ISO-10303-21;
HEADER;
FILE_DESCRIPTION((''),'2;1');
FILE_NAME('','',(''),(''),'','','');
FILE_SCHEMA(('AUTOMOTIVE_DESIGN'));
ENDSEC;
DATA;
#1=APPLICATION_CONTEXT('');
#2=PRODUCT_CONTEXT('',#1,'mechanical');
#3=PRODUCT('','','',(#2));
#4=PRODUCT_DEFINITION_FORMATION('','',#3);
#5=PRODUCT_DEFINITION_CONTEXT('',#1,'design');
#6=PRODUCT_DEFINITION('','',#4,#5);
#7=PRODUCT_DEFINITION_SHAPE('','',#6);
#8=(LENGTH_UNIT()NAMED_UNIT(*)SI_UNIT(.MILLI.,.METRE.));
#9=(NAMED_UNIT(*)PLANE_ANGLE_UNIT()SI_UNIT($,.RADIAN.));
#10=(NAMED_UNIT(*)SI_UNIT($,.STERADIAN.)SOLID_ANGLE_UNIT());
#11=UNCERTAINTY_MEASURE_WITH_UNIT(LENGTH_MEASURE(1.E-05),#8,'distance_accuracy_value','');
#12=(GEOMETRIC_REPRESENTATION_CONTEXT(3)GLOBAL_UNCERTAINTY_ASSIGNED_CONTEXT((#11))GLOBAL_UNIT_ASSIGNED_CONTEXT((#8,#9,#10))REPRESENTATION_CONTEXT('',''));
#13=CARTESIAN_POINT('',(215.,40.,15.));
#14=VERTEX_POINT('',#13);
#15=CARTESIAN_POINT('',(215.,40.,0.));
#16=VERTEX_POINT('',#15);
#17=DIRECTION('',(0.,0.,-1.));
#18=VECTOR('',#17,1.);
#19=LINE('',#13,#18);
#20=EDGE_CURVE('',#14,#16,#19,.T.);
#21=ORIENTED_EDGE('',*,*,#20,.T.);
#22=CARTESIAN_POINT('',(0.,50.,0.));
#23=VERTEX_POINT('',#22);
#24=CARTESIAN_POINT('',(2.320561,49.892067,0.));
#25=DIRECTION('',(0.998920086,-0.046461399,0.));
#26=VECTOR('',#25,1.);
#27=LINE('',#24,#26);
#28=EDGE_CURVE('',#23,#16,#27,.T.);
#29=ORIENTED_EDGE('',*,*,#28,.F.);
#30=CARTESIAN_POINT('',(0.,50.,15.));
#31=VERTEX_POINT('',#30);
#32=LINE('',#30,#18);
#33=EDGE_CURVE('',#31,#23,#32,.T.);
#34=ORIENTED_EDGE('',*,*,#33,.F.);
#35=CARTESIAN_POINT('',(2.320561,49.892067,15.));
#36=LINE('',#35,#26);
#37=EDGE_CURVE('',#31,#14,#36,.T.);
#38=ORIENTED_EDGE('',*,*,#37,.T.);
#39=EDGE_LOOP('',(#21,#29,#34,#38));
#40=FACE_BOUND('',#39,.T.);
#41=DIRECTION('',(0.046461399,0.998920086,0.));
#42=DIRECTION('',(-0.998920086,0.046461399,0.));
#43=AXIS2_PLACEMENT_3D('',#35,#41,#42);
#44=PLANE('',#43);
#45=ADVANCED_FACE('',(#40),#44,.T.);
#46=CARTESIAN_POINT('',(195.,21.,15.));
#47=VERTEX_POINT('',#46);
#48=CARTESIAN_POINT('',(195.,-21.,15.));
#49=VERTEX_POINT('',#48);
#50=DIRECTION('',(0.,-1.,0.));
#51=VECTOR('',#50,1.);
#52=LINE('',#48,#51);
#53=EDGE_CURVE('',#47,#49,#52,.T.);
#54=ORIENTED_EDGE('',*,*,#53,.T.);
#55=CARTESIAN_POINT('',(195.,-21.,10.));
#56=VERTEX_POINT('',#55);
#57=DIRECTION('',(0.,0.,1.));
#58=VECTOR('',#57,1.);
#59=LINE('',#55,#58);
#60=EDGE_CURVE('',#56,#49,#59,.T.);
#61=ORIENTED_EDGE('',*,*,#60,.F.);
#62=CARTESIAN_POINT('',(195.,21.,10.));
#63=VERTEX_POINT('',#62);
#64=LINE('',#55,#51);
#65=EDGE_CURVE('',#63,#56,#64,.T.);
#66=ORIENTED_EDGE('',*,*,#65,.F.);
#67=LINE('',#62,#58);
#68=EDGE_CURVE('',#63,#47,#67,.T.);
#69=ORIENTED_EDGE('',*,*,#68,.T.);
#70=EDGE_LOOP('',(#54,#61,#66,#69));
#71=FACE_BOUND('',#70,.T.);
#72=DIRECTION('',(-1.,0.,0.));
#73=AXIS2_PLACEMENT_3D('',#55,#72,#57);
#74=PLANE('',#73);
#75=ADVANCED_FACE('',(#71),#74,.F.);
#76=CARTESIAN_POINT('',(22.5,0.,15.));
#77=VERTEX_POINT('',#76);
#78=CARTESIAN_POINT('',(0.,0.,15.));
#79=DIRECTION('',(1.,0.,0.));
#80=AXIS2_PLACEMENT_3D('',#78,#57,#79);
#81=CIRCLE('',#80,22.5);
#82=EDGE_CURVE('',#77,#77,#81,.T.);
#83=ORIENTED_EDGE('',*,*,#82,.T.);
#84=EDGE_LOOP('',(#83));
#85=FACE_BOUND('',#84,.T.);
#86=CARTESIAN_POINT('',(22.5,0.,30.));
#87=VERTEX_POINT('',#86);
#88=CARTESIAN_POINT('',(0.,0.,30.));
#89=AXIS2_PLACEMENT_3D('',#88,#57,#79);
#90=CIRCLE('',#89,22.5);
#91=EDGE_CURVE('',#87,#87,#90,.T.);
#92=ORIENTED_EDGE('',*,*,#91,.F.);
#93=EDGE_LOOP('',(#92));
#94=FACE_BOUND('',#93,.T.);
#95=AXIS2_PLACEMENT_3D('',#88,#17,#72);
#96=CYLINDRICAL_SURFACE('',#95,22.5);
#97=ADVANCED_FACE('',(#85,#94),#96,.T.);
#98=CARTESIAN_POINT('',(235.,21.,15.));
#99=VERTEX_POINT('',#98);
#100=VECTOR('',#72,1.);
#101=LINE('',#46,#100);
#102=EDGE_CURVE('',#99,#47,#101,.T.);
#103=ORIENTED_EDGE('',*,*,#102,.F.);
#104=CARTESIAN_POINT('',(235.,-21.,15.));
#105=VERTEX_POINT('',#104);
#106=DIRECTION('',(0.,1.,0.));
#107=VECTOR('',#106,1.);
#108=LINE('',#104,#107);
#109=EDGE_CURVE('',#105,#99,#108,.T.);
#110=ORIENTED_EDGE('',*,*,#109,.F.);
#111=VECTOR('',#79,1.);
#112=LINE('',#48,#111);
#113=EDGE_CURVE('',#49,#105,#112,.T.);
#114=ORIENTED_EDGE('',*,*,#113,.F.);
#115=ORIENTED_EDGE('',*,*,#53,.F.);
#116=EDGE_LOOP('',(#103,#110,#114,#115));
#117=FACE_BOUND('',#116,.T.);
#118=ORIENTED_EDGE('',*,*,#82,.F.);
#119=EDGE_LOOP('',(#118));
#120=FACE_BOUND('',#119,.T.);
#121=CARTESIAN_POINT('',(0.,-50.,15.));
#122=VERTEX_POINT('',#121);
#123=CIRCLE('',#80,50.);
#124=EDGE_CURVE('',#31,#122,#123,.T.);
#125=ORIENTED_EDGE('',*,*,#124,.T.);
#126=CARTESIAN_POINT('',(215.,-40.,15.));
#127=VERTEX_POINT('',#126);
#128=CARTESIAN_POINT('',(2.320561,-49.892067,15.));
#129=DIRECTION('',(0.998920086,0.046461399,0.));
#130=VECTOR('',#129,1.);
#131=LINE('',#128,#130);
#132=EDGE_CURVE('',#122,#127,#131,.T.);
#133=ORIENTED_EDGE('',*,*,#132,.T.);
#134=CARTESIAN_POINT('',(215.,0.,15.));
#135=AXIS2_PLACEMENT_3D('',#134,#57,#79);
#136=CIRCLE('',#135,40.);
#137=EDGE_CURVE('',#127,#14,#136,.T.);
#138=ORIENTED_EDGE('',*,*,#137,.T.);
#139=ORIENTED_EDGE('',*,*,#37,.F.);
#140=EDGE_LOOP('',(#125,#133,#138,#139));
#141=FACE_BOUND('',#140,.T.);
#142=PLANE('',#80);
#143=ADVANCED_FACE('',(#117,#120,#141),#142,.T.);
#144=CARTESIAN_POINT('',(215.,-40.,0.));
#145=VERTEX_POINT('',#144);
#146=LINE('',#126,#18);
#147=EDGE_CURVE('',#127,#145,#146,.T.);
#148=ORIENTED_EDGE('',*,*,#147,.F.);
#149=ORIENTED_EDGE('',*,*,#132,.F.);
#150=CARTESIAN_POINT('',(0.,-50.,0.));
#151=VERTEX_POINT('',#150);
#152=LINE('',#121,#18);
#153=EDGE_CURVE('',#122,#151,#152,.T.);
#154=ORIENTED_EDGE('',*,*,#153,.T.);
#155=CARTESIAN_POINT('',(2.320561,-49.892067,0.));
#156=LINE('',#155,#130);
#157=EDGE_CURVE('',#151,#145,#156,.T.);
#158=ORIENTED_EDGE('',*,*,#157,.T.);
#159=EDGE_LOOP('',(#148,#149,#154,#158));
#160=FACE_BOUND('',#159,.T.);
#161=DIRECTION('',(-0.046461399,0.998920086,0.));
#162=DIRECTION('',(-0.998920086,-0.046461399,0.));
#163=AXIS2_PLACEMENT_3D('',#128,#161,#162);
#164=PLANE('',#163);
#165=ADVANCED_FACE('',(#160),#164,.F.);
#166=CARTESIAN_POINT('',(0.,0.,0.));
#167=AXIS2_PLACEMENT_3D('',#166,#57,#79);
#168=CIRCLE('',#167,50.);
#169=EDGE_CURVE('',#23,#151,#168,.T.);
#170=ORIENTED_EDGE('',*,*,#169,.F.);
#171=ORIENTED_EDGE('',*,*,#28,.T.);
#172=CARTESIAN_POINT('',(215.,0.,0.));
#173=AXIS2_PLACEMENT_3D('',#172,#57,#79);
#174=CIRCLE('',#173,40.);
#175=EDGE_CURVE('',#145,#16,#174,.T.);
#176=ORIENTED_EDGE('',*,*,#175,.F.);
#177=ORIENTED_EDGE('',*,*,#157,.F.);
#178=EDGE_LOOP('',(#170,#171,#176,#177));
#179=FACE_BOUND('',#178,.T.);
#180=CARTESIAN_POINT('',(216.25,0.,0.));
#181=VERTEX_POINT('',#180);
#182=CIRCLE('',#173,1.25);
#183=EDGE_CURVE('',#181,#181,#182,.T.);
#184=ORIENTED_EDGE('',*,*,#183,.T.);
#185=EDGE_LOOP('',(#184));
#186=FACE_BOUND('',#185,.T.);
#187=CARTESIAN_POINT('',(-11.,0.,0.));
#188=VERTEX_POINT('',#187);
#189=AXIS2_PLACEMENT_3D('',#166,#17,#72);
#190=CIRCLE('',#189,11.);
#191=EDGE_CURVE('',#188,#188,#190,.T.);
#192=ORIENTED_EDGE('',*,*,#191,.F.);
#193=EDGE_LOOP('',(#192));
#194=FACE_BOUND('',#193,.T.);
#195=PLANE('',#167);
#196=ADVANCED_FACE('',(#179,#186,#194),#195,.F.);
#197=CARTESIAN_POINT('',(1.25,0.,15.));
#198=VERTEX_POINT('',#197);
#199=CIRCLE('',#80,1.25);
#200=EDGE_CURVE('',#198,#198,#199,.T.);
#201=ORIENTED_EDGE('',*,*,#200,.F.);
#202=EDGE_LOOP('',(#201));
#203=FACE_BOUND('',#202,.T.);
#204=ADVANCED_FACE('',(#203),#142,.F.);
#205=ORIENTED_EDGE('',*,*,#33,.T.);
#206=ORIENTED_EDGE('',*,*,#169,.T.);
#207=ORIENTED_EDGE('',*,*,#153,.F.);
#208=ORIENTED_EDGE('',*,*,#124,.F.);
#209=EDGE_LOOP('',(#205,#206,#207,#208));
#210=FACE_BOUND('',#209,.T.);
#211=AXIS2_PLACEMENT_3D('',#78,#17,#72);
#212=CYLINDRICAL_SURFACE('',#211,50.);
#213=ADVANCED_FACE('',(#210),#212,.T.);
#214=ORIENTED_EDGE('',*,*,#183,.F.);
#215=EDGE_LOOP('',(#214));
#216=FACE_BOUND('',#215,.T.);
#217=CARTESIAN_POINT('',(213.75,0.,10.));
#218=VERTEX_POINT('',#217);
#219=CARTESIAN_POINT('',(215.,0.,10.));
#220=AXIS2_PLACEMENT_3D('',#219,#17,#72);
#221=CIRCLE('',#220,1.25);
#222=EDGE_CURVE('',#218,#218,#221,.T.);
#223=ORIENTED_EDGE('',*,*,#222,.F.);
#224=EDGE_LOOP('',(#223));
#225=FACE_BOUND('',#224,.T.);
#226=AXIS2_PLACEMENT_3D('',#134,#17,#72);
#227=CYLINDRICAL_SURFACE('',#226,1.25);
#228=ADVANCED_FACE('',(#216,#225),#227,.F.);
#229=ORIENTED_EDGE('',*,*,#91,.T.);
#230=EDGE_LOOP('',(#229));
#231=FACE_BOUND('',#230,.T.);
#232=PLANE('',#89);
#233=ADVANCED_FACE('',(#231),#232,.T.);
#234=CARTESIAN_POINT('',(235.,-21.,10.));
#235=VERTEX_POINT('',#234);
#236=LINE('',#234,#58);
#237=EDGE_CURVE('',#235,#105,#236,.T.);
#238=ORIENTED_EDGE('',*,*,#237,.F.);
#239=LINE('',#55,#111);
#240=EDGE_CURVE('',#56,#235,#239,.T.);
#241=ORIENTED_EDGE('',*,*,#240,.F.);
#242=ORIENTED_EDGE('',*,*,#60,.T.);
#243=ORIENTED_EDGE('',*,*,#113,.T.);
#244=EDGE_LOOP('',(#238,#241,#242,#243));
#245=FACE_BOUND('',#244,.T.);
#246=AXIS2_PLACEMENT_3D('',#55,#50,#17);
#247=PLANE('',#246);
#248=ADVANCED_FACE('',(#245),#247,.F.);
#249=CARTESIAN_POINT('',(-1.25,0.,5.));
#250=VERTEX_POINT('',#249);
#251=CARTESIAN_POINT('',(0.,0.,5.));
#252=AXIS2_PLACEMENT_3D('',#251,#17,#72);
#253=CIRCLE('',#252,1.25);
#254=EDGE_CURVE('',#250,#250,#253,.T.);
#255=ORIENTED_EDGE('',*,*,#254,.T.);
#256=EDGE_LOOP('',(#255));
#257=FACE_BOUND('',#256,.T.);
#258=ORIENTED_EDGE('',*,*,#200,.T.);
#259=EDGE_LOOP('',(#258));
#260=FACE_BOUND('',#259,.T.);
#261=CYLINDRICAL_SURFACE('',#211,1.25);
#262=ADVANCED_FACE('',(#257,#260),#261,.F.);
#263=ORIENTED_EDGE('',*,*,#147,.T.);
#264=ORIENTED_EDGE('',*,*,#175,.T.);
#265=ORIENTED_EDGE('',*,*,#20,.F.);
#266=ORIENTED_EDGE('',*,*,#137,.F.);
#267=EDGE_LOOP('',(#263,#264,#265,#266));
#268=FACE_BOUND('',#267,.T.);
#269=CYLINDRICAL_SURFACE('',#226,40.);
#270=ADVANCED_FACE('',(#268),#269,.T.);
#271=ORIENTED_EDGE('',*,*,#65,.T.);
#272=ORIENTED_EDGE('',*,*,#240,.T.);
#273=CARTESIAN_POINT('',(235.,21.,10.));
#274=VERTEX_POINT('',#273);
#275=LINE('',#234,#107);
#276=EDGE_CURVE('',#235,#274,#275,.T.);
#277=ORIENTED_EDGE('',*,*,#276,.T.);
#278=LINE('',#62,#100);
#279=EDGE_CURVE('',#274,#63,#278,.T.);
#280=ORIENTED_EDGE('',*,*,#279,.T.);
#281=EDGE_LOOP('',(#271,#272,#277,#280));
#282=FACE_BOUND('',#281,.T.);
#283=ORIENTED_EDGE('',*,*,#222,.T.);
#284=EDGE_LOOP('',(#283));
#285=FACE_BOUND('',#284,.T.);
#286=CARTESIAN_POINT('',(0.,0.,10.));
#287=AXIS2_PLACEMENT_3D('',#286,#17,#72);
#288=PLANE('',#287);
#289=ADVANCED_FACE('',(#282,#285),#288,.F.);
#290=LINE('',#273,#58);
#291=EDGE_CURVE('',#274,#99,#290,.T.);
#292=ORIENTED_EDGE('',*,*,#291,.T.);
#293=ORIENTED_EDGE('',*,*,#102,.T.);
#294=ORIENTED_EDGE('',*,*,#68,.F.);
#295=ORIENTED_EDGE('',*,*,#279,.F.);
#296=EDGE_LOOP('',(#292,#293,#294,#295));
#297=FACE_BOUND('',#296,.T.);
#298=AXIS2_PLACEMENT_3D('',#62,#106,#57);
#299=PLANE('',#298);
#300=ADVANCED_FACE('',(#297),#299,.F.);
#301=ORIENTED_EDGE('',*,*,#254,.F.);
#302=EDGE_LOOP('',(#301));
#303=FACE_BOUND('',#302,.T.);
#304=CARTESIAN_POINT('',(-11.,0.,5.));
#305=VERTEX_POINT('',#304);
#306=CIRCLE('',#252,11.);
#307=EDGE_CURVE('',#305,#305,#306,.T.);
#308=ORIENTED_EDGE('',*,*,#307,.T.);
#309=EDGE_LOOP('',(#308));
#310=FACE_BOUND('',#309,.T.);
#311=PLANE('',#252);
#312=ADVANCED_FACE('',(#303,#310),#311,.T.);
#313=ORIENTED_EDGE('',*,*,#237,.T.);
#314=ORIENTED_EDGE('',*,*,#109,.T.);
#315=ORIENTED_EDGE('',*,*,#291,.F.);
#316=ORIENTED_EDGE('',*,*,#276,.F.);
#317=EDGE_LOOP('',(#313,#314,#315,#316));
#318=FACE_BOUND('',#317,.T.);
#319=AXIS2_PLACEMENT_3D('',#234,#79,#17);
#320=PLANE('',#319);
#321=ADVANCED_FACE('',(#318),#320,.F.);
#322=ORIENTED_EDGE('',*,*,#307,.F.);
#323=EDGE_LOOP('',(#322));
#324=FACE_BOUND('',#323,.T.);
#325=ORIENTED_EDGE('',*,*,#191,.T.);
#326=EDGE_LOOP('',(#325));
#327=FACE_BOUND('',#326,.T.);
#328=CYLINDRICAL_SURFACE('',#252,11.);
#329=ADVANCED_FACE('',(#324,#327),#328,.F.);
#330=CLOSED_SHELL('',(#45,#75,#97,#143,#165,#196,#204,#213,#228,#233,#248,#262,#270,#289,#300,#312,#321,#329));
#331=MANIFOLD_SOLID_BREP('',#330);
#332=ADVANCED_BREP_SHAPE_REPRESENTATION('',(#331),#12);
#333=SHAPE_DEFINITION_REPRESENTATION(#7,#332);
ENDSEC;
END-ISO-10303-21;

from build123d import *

# Parameters (mm, degrees)
CROQUIS1_R              = 1.25
SALIENTE_EXTRUIR1_DEPTH = 15
CROQUIS4_R              = 22.5
SALIENTE_EXTRUIR2_DEPTH = 15
CROQUIS5_R              = 11
CORTAR_EXTRUIR1_DEPTH   = 5
CROQUIS6_W              = 40
CROQUIS6_H              = 42
CORTAR_EXTRUIR2_DEPTH   = 5


with BuildPart() as part:
    # Croquis1 → Saliente-Extruir1 (new body)
    with BuildSketch(Plane.XY):
        with BuildLine():
            Line((0, -50), (215, -40))
            ThreePointArc((215, -40), (255, 0), (215, 40))
            Line((215, 40), (0, 50))
            ThreePointArc((0, 50), (-50, 0), (0, -50))
        make_face()
        Circle(CROQUIS1_R, mode=Mode.SUBTRACT)
        with Locations((215, 0)):
            Circle(CROQUIS1_R, mode=Mode.SUBTRACT)
    extrude(amount=SALIENTE_EXTRUIR1_DEPTH)

    # Croquis4 → Saliente-Extruir2 (add)
    with BuildSketch(Plane.XY.offset(15)):
        Circle(CROQUIS4_R)
    extrude(amount=SALIENTE_EXTRUIR2_DEPTH)

    # Croquis5 → Cortar-Extruir1 (cut)
    with BuildSketch(Plane(origin=(0, 0, 0), x_dir=(-1, 0, 0), z_dir=(0, 0, -1))):
        Circle(CROQUIS5_R)
    extrude(amount=-CORTAR_EXTRUIR1_DEPTH, mode=Mode.SUBTRACT)

    # Croquis6 → Cortar-Extruir2 (cut)
    with BuildSketch(Plane.XY.offset(15)):
        with Locations((215, 0)):
            Rectangle(CROQUIS6_W, CROQUIS6_H)
    extrude(amount=-CORTAR_EXTRUIR2_DEPTH, mode=Mode.SUBTRACT)


solid = part.part
